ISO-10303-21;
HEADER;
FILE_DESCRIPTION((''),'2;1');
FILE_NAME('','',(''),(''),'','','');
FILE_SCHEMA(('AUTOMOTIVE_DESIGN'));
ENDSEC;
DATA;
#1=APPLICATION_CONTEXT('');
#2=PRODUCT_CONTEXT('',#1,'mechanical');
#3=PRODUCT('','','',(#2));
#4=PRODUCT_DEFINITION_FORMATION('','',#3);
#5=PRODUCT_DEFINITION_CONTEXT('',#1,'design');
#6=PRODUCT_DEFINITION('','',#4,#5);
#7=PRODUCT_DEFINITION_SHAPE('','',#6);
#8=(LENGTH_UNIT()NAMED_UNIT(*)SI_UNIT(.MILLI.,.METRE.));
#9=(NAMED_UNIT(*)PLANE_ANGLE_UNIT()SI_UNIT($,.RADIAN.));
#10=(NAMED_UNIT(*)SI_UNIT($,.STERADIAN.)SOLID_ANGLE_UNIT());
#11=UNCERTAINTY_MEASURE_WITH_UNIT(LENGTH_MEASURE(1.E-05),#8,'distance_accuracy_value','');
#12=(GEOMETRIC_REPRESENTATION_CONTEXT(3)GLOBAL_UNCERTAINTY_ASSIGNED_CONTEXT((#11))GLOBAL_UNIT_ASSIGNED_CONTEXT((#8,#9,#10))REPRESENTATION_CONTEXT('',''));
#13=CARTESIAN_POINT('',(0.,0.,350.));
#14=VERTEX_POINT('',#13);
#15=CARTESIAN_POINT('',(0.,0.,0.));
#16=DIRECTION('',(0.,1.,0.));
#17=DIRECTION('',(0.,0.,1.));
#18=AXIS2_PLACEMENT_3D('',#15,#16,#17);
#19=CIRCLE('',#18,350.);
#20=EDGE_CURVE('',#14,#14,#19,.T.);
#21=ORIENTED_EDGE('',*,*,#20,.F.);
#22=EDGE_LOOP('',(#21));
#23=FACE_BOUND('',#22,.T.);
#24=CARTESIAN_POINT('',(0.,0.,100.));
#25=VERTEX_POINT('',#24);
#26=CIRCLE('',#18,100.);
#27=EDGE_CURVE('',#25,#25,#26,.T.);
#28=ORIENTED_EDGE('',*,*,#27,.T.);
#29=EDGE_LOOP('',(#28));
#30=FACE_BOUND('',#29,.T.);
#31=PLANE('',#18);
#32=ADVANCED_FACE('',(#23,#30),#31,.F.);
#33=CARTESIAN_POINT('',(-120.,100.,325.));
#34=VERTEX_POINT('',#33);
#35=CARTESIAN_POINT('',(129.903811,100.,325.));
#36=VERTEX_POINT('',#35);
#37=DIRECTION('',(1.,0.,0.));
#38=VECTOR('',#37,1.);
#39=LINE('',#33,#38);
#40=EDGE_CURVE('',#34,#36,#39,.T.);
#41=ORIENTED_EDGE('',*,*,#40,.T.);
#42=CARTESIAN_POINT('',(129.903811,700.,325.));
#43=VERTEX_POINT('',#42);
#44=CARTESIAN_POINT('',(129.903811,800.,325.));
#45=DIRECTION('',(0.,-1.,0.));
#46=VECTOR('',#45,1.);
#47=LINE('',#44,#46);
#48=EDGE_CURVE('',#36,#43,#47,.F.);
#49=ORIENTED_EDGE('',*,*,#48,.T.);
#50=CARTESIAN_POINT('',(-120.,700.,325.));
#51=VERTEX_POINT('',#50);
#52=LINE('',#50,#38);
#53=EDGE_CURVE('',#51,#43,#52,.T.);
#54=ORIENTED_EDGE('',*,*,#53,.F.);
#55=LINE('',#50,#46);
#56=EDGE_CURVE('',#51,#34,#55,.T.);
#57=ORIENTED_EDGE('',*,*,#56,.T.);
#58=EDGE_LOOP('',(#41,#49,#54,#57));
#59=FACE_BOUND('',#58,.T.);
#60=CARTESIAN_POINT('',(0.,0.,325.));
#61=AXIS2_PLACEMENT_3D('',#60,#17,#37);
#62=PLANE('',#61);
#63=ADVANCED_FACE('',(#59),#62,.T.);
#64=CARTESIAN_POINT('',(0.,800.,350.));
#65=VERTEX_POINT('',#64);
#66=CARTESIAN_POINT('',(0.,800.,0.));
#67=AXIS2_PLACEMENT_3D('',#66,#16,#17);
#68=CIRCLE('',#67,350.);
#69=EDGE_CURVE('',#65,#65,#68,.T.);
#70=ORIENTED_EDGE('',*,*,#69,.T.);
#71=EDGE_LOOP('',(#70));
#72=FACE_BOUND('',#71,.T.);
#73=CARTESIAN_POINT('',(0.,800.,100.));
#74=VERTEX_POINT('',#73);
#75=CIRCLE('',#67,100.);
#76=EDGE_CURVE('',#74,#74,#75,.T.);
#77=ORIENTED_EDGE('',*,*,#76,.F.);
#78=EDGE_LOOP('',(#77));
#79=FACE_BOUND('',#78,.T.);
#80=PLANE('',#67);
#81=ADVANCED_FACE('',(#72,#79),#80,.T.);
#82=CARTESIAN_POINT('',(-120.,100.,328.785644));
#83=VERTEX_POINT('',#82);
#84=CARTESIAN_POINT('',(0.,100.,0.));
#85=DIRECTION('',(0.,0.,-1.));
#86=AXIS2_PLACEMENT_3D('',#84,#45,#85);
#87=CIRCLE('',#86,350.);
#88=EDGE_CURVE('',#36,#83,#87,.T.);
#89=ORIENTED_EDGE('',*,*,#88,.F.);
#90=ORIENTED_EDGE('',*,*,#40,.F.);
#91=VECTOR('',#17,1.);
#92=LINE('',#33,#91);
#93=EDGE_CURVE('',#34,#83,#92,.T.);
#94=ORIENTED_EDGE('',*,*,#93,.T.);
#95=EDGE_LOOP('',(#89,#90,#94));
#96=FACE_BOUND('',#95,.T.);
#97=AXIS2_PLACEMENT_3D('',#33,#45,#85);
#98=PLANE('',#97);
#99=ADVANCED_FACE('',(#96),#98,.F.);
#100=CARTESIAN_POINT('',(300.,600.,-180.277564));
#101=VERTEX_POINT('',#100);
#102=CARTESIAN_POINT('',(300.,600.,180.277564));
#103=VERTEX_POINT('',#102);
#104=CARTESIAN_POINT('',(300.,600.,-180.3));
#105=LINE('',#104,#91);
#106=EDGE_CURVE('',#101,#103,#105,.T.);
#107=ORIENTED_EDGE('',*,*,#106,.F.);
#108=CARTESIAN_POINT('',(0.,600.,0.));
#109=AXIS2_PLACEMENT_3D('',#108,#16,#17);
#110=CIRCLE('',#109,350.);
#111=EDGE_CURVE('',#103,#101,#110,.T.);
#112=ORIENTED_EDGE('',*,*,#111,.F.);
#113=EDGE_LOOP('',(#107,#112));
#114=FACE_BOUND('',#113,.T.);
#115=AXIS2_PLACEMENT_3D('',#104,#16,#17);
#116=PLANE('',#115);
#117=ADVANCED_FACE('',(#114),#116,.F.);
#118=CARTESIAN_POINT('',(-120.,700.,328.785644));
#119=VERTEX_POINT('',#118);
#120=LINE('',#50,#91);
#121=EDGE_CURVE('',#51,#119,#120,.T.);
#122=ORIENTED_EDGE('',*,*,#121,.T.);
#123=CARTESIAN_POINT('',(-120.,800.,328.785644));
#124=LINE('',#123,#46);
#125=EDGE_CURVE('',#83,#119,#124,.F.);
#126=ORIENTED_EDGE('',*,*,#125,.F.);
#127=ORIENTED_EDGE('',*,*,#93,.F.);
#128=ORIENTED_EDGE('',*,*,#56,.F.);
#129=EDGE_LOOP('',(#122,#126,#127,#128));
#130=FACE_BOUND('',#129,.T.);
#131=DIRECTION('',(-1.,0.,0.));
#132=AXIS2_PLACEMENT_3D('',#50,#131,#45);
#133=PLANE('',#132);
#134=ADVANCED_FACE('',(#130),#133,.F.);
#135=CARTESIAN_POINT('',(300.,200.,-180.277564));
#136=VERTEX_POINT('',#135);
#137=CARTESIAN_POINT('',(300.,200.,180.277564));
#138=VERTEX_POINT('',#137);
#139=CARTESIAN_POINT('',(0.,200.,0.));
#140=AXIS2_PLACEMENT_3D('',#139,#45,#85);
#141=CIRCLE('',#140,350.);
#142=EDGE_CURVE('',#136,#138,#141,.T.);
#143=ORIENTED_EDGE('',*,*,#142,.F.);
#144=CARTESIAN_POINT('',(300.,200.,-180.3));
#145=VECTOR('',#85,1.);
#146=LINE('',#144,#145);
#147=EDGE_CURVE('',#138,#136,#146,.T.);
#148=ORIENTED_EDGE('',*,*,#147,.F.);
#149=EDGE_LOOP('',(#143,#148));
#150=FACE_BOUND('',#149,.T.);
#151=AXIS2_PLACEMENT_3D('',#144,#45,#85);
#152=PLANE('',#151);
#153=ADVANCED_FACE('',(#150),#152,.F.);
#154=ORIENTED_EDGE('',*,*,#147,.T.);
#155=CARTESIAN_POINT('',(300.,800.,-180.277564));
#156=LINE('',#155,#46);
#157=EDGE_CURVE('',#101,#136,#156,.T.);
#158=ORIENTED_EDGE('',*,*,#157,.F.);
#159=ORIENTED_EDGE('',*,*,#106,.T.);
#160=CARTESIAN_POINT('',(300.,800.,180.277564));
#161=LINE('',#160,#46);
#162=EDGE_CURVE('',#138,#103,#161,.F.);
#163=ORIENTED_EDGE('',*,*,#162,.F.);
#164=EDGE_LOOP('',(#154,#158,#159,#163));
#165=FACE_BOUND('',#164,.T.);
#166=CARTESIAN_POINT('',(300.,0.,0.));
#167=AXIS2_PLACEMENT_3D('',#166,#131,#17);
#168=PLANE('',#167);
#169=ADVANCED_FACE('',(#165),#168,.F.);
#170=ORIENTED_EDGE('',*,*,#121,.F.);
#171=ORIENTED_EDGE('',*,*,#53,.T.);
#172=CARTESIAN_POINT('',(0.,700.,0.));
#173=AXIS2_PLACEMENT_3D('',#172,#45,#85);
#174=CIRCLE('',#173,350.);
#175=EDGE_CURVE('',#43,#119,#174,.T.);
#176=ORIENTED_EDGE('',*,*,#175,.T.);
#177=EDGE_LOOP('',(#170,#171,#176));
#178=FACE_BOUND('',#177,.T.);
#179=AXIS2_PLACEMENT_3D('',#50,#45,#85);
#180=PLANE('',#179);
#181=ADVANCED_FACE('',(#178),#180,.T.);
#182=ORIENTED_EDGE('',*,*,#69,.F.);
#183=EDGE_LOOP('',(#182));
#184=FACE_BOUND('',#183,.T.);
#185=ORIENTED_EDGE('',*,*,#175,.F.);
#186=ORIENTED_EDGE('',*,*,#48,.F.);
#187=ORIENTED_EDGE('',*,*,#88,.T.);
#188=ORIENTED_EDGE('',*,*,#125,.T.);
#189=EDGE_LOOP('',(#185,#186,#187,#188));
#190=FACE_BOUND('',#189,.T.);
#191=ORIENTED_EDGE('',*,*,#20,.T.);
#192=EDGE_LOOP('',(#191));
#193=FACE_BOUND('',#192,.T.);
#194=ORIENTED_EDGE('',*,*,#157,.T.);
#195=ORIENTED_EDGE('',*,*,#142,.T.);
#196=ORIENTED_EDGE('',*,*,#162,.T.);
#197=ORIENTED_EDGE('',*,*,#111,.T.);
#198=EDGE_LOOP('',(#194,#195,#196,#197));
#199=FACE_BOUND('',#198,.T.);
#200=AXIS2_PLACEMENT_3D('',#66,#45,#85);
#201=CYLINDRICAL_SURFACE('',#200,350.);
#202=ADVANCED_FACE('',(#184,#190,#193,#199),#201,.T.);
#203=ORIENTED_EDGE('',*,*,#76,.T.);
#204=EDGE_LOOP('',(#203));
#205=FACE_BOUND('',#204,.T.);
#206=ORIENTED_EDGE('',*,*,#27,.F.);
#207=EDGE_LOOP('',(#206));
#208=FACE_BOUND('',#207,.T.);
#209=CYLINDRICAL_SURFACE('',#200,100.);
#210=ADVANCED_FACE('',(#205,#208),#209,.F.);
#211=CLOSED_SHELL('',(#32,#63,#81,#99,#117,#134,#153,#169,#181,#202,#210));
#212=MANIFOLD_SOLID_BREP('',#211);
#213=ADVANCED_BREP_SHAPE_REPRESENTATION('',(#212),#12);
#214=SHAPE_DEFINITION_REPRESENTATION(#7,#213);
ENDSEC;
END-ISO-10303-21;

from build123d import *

# Parameters (mm, degrees)
SKETCH1_R           = 350
SKETCH1_R_2         = 100
BOSS_EXTRUDE1_DEPTH = 800
SKETCH2_W           = 250
SKETCH2_H           = 600
CUT_EXTRUDE1_DEPTH  = 25
SKETCH3_W           = 366
SKETCH3_H           = 400
CUT_EXTRUDE2_DEPTH  = 50


with BuildPart() as part:
    # Sketch1 → Boss-Extrude1 (new body)
    with BuildSketch(Plane(origin=(0, 0, 0), x_dir=(1, 0, 0), z_dir=(0, 1, 0))):
        Circle(SKETCH1_R)
        Circle(SKETCH1_R_2, mode=Mode.SUBTRACT)
    extrude(amount=BOSS_EXTRUDE1_DEPTH)

    # Sketch2 → Cut-Extrude1 (cut)
    with BuildSketch(Plane.XY.offset(350)):
        with Locations((5, 400)):
            Rectangle(SKETCH2_W, SKETCH2_H)
    extrude(amount=-CUT_EXTRUDE1_DEPTH, mode=Mode.SUBTRACT)

    # Sketch3 → Cut-Extrude2 (cut)
    with BuildSketch(Plane(origin=(350, 0, 0), x_dir=(0, 0, -1), z_dir=(1, 0, 0))):
        with Locations((-2.7, 400)):
            Rectangle(SKETCH3_W, SKETCH3_H)
    extrude(amount=-CUT_EXTRUDE2_DEPTH, mode=Mode.SUBTRACT)


solid = part.part
